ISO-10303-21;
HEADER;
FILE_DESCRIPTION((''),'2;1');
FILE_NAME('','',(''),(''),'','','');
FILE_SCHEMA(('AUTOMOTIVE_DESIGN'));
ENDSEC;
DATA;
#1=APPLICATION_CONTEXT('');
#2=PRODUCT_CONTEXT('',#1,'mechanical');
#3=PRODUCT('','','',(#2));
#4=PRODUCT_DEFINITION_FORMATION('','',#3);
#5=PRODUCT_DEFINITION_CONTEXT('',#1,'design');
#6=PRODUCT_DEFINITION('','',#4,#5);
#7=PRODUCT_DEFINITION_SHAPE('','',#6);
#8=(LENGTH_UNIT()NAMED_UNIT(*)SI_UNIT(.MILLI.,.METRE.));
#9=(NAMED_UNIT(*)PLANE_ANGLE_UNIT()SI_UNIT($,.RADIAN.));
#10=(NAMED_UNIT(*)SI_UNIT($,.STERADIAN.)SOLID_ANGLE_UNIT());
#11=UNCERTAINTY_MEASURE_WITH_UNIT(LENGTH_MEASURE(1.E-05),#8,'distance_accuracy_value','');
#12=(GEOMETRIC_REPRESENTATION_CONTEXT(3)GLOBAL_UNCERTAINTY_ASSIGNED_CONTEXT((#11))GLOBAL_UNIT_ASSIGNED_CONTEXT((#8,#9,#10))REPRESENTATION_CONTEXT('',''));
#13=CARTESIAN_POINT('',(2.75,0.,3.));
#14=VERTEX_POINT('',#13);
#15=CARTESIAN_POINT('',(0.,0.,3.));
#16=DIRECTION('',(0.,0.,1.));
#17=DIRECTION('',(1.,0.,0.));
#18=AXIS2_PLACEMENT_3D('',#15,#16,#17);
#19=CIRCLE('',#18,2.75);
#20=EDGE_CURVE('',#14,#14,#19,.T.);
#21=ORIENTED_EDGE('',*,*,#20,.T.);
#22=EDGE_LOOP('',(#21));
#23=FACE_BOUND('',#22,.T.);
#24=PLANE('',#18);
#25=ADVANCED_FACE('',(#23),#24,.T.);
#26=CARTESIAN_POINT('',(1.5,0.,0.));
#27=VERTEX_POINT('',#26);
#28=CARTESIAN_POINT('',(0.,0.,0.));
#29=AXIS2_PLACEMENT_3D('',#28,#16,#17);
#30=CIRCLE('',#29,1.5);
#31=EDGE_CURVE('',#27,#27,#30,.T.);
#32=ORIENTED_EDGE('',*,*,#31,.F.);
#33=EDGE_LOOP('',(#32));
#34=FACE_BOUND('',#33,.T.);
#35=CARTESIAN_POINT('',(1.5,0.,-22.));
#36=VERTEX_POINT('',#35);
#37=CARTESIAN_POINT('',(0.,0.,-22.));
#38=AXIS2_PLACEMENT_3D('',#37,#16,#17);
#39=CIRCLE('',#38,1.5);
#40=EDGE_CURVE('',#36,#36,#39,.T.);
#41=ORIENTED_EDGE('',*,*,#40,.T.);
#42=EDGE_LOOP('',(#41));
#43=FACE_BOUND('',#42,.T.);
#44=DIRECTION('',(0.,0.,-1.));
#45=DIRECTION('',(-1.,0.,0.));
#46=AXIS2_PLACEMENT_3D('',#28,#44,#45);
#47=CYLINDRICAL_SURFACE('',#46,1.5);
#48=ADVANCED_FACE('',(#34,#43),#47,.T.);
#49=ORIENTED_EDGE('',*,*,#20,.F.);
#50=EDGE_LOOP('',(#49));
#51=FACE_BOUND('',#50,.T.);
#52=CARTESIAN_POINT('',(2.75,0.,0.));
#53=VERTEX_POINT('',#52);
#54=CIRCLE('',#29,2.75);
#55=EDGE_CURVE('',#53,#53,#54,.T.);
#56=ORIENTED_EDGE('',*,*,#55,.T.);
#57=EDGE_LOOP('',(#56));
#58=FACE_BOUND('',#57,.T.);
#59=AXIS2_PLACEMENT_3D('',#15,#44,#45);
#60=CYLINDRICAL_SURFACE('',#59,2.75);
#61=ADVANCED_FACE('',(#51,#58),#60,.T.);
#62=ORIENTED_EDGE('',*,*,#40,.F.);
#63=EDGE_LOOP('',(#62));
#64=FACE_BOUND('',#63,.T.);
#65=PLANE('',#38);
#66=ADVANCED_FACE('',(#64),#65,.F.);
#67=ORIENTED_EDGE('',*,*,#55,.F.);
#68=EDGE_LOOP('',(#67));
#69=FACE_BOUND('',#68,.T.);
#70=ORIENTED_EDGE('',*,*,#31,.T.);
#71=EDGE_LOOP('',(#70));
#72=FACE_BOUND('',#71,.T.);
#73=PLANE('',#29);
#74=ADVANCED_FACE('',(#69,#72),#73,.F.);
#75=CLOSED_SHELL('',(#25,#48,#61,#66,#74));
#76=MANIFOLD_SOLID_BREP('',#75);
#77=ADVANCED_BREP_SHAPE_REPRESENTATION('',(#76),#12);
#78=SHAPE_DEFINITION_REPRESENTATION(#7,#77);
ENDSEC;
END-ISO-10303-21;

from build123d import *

# Parameters (mm, degrees)
NOMINAL_SHANK_START    = -22
SKETCH_NOMINAL_SHANK_R = 1.5
NOMINAL_SHANK_DEPTH    = 22
SKETCH_HEAD_R          = 2.75
HEAD_DEPTH             = 3


with BuildPart() as part:
    # Sketch_Nominal_shank → Nominal_shank (new body)
    with BuildSketch(Plane.XY.offset(NOMINAL_SHANK_START)):
        Circle(SKETCH_NOMINAL_SHANK_R)
    extrude(amount=NOMINAL_SHANK_DEPTH)

    # Sketch_Head → Head (add)
    with BuildSketch(Plane.XY):
        Circle(SKETCH_HEAD_R)
    extrude(amount=HEAD_DEPTH)


solid = part.part
